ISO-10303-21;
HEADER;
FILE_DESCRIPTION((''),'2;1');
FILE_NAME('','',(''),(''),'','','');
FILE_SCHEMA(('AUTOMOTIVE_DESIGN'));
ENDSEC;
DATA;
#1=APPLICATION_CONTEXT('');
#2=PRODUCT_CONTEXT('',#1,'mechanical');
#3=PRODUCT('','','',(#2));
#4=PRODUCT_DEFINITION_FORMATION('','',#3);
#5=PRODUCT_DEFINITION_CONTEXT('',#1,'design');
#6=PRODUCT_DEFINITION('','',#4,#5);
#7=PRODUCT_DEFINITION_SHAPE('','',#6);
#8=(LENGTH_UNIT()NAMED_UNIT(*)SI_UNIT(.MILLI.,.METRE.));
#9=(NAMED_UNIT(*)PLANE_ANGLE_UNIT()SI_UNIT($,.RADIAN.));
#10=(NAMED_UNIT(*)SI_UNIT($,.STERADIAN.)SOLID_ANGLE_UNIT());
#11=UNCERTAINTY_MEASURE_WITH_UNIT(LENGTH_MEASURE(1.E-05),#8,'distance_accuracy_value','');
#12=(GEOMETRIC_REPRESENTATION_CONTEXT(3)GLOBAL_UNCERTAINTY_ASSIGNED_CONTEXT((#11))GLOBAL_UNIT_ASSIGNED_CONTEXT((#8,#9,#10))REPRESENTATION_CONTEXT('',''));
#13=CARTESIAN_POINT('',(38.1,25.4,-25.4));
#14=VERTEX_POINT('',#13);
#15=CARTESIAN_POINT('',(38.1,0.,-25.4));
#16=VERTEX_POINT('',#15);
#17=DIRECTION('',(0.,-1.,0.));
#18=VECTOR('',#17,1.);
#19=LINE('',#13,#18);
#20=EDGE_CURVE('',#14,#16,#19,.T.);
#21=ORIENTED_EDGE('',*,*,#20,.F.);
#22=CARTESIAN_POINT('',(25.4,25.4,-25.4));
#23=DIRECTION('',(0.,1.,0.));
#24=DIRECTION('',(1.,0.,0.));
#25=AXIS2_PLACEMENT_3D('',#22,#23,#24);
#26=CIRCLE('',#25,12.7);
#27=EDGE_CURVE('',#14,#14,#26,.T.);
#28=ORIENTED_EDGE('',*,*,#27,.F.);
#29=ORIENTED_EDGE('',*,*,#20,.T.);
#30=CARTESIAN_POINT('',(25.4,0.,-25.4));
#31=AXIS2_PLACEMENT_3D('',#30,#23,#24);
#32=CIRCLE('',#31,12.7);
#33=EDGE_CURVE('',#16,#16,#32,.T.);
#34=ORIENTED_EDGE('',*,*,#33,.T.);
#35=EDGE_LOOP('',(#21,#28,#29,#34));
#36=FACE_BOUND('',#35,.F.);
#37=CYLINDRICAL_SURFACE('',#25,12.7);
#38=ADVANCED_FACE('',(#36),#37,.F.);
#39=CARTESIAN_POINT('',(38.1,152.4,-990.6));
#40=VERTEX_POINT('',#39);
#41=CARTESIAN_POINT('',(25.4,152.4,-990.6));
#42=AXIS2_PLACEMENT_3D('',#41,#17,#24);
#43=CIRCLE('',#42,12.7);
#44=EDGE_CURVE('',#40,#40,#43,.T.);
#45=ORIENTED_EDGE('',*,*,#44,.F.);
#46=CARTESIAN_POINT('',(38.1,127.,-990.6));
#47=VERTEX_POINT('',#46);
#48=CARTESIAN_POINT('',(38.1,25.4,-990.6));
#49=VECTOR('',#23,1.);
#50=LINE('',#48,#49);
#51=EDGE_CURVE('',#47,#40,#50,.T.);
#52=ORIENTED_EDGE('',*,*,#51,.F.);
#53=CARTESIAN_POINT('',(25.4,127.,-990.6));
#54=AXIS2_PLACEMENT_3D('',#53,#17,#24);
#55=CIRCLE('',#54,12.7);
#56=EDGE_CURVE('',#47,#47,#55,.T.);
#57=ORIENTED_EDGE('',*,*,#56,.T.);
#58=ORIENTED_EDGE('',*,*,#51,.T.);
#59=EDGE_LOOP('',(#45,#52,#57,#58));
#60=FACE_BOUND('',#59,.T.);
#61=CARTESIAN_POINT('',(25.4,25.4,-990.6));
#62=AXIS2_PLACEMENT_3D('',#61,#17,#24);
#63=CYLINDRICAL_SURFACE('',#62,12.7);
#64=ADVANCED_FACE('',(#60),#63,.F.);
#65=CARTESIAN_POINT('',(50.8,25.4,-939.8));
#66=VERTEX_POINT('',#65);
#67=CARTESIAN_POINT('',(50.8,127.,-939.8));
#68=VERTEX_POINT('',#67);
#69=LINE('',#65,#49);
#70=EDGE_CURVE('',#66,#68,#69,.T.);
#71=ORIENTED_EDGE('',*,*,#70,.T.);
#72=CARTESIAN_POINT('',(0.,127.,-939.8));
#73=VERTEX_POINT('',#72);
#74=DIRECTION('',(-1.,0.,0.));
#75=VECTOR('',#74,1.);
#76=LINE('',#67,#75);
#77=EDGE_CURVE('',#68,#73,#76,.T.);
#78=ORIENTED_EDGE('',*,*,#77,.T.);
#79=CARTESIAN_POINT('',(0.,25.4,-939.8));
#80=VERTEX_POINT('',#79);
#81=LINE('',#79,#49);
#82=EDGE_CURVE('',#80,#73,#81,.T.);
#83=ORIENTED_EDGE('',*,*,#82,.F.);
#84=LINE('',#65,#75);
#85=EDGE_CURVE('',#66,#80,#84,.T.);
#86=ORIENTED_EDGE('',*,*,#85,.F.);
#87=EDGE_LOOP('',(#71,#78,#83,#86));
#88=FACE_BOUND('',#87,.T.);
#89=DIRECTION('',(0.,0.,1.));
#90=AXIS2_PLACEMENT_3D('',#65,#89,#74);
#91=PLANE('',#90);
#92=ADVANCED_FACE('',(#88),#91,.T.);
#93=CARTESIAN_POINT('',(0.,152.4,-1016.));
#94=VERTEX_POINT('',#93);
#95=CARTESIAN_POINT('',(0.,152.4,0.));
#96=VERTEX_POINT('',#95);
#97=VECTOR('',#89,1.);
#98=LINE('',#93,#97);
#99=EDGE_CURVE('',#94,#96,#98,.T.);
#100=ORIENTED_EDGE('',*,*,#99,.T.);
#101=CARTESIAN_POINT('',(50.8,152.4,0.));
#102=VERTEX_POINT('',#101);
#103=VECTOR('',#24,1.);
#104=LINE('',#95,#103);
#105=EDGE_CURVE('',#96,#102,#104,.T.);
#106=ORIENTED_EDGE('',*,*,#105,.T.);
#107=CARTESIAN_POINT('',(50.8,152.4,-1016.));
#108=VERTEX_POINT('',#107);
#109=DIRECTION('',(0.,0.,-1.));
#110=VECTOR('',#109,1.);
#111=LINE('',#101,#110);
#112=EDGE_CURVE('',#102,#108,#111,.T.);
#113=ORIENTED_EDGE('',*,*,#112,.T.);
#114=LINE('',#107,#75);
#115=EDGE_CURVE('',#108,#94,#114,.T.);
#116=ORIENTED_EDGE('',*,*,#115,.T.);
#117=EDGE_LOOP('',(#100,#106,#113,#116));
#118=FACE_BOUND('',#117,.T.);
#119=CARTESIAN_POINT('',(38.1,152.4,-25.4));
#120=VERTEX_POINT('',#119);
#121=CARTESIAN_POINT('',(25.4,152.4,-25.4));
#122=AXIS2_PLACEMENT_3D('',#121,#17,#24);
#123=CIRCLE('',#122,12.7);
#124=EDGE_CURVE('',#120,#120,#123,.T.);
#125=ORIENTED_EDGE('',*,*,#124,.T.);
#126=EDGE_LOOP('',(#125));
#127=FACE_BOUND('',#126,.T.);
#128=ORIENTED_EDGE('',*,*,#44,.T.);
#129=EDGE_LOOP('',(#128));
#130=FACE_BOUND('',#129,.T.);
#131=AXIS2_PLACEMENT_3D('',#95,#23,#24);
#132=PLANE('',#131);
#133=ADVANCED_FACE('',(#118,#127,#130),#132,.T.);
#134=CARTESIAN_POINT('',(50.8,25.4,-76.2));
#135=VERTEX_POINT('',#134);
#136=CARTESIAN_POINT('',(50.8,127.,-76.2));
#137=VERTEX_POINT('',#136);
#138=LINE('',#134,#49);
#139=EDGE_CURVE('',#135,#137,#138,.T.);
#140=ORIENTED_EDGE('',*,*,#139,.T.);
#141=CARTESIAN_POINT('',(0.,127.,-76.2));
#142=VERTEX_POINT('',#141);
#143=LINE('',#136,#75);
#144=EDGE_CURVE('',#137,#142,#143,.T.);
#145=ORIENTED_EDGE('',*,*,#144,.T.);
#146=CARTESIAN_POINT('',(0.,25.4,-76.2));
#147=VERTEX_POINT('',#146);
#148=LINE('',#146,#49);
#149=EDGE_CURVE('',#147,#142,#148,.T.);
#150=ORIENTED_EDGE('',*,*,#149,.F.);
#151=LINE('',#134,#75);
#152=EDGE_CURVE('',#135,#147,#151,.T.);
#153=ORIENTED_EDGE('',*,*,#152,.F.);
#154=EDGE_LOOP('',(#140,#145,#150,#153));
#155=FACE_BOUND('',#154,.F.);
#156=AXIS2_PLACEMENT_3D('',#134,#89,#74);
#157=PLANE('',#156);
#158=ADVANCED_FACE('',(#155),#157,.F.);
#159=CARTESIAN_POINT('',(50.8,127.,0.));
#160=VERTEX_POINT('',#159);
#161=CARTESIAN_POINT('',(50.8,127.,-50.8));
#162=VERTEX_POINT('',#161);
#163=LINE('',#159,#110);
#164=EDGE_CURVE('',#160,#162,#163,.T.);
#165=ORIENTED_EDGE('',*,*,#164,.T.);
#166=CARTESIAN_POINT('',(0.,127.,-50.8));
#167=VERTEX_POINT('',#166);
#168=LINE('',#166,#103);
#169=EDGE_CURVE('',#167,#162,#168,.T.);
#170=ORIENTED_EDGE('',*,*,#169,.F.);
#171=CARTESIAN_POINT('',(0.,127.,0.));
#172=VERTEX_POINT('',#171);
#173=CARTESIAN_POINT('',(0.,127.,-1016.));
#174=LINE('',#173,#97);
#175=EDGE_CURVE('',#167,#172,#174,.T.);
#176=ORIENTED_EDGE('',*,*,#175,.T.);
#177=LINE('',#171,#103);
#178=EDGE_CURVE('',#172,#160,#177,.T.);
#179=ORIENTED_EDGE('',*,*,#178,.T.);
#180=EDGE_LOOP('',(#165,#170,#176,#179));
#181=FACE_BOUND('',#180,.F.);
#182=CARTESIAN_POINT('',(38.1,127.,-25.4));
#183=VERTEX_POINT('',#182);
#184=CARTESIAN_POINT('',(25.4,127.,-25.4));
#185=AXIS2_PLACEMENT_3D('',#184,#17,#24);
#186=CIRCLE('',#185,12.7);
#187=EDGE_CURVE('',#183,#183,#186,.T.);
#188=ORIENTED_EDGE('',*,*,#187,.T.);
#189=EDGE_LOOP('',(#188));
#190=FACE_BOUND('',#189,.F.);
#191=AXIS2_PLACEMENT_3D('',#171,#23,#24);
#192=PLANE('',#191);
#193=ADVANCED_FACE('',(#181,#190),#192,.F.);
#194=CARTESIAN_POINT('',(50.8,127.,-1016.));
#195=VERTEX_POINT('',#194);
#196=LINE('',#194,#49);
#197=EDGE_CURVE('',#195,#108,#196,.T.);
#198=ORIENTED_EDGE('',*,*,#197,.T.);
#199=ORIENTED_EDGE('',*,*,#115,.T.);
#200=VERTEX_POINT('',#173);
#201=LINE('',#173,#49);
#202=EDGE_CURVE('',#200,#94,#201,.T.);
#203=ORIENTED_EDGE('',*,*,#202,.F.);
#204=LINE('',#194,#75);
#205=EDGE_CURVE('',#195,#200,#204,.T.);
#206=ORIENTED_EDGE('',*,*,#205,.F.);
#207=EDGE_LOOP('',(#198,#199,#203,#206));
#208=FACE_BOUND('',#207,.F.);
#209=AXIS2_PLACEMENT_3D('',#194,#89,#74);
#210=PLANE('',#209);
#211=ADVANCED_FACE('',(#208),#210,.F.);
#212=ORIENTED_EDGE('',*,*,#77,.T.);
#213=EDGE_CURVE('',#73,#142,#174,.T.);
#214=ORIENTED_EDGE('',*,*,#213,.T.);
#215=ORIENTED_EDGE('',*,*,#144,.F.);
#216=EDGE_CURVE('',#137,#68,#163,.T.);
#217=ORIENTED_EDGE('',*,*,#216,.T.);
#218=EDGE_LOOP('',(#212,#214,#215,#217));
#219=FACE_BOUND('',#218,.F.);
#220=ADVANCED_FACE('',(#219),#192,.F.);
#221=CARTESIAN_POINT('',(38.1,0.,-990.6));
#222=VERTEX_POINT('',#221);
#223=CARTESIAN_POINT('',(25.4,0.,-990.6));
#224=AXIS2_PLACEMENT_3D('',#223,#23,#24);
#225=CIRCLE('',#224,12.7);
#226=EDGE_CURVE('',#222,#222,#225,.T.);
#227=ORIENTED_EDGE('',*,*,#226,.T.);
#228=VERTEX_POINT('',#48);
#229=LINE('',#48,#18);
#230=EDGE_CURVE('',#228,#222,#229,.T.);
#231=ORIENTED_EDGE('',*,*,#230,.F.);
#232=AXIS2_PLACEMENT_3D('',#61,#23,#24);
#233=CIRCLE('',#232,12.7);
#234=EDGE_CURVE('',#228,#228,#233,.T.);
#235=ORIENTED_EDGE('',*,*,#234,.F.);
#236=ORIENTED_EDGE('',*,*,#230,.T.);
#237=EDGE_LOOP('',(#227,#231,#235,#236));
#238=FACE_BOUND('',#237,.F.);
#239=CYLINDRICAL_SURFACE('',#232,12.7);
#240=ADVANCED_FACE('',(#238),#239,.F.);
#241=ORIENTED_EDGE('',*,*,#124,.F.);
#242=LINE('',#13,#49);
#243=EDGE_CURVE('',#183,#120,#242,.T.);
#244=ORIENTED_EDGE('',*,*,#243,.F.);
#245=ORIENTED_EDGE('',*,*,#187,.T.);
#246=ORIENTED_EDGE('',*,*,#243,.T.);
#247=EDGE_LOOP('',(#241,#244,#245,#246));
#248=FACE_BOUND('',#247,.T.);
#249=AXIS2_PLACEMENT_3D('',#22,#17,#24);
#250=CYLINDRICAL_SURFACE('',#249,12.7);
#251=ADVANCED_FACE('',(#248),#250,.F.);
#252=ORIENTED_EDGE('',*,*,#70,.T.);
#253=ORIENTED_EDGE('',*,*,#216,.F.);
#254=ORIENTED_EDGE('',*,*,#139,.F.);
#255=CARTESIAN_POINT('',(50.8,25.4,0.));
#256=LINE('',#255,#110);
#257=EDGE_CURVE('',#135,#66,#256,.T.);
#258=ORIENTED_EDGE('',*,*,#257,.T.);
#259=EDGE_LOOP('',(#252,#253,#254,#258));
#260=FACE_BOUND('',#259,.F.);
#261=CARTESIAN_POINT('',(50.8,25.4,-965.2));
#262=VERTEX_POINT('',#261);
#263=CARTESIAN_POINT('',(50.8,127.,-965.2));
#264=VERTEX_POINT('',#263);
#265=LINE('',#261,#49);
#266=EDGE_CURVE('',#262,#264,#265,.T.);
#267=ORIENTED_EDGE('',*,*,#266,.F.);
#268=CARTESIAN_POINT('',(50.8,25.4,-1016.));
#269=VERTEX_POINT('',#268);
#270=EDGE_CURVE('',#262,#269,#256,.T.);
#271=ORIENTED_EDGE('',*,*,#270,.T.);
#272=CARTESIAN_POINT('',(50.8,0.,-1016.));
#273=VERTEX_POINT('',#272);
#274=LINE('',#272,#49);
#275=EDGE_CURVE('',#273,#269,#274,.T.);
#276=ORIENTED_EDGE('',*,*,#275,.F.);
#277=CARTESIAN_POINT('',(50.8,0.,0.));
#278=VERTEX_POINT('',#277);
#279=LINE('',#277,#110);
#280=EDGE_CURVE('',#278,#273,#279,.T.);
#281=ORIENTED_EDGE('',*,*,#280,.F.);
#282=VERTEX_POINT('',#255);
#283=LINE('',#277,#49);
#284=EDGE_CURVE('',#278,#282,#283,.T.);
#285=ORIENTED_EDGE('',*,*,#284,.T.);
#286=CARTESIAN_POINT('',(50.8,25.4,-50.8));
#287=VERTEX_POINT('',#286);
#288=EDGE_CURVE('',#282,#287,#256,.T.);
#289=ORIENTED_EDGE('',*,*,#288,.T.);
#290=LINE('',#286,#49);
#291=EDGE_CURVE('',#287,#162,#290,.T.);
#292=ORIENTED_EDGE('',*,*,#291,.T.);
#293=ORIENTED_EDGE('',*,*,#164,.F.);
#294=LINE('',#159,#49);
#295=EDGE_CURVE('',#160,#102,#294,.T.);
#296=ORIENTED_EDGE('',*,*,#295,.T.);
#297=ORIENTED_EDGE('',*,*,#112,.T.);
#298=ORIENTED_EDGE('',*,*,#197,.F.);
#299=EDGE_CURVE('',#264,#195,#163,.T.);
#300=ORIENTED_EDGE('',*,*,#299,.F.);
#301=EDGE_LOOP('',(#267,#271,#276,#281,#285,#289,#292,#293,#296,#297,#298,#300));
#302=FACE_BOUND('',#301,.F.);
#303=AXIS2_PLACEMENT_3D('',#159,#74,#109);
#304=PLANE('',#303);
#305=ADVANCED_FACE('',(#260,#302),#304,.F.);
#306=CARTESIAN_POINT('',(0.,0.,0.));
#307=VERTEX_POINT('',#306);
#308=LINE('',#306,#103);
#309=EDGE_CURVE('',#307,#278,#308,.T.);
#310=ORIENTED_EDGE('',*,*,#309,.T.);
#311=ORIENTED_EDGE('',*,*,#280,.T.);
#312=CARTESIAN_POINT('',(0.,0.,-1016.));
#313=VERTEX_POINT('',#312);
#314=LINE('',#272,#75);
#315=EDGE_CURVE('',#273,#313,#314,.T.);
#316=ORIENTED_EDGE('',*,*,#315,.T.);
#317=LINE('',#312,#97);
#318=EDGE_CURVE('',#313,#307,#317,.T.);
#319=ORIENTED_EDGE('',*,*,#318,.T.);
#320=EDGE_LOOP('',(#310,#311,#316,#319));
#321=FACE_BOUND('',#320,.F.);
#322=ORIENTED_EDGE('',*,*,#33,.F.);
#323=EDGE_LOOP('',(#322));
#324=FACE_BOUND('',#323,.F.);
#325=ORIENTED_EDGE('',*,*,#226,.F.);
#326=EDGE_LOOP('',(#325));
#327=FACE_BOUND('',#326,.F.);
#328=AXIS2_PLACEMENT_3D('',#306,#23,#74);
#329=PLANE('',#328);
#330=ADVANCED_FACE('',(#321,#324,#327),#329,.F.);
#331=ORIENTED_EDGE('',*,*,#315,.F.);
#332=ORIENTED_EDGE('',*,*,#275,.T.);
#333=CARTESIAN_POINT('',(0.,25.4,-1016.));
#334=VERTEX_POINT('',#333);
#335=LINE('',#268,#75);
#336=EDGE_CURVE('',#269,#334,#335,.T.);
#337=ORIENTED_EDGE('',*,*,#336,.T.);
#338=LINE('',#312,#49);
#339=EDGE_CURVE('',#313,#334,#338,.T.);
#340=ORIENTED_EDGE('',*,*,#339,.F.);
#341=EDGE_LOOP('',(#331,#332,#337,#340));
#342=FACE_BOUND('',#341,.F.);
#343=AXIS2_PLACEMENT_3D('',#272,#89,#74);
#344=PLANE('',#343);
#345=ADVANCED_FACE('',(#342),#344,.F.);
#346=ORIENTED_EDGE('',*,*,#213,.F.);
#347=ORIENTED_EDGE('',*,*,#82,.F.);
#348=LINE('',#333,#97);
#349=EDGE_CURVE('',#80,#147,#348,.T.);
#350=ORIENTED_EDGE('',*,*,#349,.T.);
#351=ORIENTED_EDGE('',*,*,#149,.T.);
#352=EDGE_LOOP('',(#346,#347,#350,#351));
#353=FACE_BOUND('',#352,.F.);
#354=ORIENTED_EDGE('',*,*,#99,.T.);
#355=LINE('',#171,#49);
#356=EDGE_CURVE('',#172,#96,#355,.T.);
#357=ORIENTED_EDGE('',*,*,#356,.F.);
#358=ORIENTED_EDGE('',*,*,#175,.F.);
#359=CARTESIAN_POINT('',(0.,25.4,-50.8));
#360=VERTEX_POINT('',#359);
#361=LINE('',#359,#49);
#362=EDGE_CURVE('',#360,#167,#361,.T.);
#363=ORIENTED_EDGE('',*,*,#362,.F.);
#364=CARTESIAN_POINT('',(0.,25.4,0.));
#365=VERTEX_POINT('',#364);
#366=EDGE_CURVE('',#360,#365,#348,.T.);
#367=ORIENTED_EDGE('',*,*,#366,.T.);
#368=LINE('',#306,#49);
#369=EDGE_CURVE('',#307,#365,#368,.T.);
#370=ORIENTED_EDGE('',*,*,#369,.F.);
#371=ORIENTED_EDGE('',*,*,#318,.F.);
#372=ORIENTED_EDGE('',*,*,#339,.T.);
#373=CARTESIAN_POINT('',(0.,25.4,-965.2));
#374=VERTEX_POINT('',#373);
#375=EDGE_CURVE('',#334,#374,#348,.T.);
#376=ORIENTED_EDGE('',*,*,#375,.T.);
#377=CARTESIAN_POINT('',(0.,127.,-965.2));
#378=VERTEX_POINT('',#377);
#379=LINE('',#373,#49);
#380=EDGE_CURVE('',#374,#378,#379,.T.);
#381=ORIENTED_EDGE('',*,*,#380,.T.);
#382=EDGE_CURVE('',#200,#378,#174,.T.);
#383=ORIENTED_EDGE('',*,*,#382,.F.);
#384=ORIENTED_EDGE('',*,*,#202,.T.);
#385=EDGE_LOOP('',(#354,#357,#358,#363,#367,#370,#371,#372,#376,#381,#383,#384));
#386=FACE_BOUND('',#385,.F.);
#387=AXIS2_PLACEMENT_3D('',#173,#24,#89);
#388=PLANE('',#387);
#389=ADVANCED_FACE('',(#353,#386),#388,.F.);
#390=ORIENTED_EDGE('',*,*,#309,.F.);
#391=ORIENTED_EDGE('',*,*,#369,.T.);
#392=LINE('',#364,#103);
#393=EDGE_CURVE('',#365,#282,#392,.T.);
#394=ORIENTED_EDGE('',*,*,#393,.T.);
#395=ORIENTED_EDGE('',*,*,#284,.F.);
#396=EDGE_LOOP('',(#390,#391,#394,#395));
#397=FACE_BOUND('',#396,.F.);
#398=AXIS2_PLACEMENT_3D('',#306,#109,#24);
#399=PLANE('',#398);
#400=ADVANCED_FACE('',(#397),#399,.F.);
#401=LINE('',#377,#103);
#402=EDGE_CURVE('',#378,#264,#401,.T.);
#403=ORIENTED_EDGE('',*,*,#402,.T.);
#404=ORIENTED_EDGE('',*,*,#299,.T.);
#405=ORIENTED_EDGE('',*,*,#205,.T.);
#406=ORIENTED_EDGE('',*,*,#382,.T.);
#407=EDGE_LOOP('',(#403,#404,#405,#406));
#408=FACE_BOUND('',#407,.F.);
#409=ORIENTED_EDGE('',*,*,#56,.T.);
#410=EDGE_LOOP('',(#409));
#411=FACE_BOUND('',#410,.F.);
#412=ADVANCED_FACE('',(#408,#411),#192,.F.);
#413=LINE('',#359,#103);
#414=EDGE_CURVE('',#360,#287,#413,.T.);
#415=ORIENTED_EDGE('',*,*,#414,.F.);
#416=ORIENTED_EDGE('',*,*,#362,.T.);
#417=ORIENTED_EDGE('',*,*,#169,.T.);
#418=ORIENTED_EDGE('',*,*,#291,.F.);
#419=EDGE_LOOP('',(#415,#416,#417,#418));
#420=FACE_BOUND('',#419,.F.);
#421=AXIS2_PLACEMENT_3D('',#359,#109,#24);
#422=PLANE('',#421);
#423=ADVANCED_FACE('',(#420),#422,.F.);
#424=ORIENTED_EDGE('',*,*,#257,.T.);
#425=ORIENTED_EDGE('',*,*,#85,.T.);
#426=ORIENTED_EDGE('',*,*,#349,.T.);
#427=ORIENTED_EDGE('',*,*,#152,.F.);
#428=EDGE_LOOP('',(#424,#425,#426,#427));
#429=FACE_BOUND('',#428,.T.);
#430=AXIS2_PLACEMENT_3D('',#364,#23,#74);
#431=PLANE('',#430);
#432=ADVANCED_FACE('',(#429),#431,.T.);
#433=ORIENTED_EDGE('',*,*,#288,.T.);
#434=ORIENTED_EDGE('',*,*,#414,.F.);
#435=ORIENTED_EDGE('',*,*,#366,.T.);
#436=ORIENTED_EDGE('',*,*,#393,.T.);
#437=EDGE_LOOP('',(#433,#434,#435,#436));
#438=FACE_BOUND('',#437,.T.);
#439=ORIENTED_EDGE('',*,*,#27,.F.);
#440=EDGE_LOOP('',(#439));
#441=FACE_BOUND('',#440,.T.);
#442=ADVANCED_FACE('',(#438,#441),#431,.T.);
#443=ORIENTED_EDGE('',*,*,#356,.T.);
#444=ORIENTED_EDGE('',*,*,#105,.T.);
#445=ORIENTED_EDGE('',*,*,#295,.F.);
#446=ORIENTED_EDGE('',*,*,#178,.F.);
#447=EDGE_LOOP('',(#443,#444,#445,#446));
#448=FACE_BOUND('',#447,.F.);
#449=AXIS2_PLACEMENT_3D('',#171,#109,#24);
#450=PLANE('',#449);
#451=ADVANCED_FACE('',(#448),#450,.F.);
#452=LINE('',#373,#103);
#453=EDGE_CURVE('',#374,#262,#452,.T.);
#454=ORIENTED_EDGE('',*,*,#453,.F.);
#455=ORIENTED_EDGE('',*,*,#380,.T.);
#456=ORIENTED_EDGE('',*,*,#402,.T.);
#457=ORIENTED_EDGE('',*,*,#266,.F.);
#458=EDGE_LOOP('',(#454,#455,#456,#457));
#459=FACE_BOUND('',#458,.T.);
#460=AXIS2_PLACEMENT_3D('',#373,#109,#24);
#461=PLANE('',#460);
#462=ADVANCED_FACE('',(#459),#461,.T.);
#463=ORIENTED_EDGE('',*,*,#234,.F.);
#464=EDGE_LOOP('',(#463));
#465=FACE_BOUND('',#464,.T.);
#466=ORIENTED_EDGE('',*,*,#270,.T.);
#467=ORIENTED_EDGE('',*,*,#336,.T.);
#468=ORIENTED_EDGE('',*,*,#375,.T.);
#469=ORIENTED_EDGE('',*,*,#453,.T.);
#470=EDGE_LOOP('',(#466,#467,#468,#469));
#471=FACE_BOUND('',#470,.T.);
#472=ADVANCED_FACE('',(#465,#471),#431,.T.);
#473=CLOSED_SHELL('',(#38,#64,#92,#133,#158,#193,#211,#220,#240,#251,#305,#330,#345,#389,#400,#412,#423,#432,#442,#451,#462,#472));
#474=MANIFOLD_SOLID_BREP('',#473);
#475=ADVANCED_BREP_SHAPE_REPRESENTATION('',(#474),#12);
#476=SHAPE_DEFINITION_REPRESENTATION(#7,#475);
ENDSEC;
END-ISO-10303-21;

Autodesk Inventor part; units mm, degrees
ref_plane "YZ Plane" through (0, 0, 0) normal (1, 0, 0) x (0, 1, 0)
ref_plane "XZ Plane" through (0, 0, 0) normal (0, 1, 0) x (-1, 0, 0)
ref_plane "XY Plane" through (0, 0, 0) normal (0, 0, 1) x (1, 0, 0)
sketch "Sketch1" plane through (0, 0, 0) normal (0, 1, 0) x (-1, 0, 0)
  line L0 (0, 0) -> (-50.8, 0)
  line L1 (-50.8, 0) -> (-50.8, -1016)
  line L2 (-50.8, -1016) -> (0, -1016)
  line L3 (0, -1016) -> (0, 0)
  dimension "d0" = 1016
  dimension "d1" = 50.8
extrude "Extrusion1" add sketch "Sketch1" along normal blind 25.4
sketch "Sketch2" plane through (0, 25.4, 0) normal (0, 1, 0) x (1, 0, 0)
  line L0 (0, 50.8) -> (50.8, 50.8)
  line L1 (50.8, 50.8) -> (50.8, 76.2)
  line L2 (50.8, 76.2) -> (0, 76.2)
  line L3 (0, 76.2) -> (0, 50.8)
  line L4 (0, 965.2) -> (50.8, 965.2)
  line L5 (50.8, 965.2) -> (50.8, 939.8)
  line L6 (50.8, 939.8) -> (0, 939.8)
  line L7 (0, 939.8) -> (0, 965.2)
  line L8 (50.8, 1016) -> (0, 1016) projected
  line L9 (0, 0) -> (50.8, 0) projected
  dimension "d5" = 25.4
  dimension "d12" = 25.4
  dimension "d16" = 50.8
  dimension "d17" = 50.8
extrude "Extrusion2" add sketch "Sketch2" along normal blind 101.6
sketch "Sketch3" plane through (0, 25.4, 0) normal (0, 1, 0) x (1, 0, 0)
  circle A0 centre (25.4, 25.4) radius 12.7
  line L0 (0, 50.8) -> (0, 0) projected
  line L1 (0, 0) -> (50.8, 0) projected
  circle A1 centre (25.4, 990.6) radius 12.7
  line L2 (50.8, 1016) -> (0, 1016) projected
  line L3 (50.8, 965.2) -> (50.8, 1016) projected
  dimension "d18" = 25.4
  dimension "d19" = 25.4
  dimension "d20" = 25.4
  dimension "d21" = 25.4
  dimension "d22" = 25.4
  dimension "d23" = 25.4
sketch "Sketch4" plane through (0, 127, 0) normal (0, 1, 0) x (1, 0, 0)
  line L0 (0, 0) -> (50.8, 0)
  line L1 (50.8, 0) -> (50.8, 1016)
  line L2 (50.8, 1016) -> (0, 1016)
  line L3 (0, 1016) -> (0, 0)
extrude "Extrusion3" add sketch "Sketch4" along normal blind 25.4
extrude "Extrusion4" cut sketch "Sketch3" along normal blind 174.625 and the other way blind 63.5
properties part number "arm"
